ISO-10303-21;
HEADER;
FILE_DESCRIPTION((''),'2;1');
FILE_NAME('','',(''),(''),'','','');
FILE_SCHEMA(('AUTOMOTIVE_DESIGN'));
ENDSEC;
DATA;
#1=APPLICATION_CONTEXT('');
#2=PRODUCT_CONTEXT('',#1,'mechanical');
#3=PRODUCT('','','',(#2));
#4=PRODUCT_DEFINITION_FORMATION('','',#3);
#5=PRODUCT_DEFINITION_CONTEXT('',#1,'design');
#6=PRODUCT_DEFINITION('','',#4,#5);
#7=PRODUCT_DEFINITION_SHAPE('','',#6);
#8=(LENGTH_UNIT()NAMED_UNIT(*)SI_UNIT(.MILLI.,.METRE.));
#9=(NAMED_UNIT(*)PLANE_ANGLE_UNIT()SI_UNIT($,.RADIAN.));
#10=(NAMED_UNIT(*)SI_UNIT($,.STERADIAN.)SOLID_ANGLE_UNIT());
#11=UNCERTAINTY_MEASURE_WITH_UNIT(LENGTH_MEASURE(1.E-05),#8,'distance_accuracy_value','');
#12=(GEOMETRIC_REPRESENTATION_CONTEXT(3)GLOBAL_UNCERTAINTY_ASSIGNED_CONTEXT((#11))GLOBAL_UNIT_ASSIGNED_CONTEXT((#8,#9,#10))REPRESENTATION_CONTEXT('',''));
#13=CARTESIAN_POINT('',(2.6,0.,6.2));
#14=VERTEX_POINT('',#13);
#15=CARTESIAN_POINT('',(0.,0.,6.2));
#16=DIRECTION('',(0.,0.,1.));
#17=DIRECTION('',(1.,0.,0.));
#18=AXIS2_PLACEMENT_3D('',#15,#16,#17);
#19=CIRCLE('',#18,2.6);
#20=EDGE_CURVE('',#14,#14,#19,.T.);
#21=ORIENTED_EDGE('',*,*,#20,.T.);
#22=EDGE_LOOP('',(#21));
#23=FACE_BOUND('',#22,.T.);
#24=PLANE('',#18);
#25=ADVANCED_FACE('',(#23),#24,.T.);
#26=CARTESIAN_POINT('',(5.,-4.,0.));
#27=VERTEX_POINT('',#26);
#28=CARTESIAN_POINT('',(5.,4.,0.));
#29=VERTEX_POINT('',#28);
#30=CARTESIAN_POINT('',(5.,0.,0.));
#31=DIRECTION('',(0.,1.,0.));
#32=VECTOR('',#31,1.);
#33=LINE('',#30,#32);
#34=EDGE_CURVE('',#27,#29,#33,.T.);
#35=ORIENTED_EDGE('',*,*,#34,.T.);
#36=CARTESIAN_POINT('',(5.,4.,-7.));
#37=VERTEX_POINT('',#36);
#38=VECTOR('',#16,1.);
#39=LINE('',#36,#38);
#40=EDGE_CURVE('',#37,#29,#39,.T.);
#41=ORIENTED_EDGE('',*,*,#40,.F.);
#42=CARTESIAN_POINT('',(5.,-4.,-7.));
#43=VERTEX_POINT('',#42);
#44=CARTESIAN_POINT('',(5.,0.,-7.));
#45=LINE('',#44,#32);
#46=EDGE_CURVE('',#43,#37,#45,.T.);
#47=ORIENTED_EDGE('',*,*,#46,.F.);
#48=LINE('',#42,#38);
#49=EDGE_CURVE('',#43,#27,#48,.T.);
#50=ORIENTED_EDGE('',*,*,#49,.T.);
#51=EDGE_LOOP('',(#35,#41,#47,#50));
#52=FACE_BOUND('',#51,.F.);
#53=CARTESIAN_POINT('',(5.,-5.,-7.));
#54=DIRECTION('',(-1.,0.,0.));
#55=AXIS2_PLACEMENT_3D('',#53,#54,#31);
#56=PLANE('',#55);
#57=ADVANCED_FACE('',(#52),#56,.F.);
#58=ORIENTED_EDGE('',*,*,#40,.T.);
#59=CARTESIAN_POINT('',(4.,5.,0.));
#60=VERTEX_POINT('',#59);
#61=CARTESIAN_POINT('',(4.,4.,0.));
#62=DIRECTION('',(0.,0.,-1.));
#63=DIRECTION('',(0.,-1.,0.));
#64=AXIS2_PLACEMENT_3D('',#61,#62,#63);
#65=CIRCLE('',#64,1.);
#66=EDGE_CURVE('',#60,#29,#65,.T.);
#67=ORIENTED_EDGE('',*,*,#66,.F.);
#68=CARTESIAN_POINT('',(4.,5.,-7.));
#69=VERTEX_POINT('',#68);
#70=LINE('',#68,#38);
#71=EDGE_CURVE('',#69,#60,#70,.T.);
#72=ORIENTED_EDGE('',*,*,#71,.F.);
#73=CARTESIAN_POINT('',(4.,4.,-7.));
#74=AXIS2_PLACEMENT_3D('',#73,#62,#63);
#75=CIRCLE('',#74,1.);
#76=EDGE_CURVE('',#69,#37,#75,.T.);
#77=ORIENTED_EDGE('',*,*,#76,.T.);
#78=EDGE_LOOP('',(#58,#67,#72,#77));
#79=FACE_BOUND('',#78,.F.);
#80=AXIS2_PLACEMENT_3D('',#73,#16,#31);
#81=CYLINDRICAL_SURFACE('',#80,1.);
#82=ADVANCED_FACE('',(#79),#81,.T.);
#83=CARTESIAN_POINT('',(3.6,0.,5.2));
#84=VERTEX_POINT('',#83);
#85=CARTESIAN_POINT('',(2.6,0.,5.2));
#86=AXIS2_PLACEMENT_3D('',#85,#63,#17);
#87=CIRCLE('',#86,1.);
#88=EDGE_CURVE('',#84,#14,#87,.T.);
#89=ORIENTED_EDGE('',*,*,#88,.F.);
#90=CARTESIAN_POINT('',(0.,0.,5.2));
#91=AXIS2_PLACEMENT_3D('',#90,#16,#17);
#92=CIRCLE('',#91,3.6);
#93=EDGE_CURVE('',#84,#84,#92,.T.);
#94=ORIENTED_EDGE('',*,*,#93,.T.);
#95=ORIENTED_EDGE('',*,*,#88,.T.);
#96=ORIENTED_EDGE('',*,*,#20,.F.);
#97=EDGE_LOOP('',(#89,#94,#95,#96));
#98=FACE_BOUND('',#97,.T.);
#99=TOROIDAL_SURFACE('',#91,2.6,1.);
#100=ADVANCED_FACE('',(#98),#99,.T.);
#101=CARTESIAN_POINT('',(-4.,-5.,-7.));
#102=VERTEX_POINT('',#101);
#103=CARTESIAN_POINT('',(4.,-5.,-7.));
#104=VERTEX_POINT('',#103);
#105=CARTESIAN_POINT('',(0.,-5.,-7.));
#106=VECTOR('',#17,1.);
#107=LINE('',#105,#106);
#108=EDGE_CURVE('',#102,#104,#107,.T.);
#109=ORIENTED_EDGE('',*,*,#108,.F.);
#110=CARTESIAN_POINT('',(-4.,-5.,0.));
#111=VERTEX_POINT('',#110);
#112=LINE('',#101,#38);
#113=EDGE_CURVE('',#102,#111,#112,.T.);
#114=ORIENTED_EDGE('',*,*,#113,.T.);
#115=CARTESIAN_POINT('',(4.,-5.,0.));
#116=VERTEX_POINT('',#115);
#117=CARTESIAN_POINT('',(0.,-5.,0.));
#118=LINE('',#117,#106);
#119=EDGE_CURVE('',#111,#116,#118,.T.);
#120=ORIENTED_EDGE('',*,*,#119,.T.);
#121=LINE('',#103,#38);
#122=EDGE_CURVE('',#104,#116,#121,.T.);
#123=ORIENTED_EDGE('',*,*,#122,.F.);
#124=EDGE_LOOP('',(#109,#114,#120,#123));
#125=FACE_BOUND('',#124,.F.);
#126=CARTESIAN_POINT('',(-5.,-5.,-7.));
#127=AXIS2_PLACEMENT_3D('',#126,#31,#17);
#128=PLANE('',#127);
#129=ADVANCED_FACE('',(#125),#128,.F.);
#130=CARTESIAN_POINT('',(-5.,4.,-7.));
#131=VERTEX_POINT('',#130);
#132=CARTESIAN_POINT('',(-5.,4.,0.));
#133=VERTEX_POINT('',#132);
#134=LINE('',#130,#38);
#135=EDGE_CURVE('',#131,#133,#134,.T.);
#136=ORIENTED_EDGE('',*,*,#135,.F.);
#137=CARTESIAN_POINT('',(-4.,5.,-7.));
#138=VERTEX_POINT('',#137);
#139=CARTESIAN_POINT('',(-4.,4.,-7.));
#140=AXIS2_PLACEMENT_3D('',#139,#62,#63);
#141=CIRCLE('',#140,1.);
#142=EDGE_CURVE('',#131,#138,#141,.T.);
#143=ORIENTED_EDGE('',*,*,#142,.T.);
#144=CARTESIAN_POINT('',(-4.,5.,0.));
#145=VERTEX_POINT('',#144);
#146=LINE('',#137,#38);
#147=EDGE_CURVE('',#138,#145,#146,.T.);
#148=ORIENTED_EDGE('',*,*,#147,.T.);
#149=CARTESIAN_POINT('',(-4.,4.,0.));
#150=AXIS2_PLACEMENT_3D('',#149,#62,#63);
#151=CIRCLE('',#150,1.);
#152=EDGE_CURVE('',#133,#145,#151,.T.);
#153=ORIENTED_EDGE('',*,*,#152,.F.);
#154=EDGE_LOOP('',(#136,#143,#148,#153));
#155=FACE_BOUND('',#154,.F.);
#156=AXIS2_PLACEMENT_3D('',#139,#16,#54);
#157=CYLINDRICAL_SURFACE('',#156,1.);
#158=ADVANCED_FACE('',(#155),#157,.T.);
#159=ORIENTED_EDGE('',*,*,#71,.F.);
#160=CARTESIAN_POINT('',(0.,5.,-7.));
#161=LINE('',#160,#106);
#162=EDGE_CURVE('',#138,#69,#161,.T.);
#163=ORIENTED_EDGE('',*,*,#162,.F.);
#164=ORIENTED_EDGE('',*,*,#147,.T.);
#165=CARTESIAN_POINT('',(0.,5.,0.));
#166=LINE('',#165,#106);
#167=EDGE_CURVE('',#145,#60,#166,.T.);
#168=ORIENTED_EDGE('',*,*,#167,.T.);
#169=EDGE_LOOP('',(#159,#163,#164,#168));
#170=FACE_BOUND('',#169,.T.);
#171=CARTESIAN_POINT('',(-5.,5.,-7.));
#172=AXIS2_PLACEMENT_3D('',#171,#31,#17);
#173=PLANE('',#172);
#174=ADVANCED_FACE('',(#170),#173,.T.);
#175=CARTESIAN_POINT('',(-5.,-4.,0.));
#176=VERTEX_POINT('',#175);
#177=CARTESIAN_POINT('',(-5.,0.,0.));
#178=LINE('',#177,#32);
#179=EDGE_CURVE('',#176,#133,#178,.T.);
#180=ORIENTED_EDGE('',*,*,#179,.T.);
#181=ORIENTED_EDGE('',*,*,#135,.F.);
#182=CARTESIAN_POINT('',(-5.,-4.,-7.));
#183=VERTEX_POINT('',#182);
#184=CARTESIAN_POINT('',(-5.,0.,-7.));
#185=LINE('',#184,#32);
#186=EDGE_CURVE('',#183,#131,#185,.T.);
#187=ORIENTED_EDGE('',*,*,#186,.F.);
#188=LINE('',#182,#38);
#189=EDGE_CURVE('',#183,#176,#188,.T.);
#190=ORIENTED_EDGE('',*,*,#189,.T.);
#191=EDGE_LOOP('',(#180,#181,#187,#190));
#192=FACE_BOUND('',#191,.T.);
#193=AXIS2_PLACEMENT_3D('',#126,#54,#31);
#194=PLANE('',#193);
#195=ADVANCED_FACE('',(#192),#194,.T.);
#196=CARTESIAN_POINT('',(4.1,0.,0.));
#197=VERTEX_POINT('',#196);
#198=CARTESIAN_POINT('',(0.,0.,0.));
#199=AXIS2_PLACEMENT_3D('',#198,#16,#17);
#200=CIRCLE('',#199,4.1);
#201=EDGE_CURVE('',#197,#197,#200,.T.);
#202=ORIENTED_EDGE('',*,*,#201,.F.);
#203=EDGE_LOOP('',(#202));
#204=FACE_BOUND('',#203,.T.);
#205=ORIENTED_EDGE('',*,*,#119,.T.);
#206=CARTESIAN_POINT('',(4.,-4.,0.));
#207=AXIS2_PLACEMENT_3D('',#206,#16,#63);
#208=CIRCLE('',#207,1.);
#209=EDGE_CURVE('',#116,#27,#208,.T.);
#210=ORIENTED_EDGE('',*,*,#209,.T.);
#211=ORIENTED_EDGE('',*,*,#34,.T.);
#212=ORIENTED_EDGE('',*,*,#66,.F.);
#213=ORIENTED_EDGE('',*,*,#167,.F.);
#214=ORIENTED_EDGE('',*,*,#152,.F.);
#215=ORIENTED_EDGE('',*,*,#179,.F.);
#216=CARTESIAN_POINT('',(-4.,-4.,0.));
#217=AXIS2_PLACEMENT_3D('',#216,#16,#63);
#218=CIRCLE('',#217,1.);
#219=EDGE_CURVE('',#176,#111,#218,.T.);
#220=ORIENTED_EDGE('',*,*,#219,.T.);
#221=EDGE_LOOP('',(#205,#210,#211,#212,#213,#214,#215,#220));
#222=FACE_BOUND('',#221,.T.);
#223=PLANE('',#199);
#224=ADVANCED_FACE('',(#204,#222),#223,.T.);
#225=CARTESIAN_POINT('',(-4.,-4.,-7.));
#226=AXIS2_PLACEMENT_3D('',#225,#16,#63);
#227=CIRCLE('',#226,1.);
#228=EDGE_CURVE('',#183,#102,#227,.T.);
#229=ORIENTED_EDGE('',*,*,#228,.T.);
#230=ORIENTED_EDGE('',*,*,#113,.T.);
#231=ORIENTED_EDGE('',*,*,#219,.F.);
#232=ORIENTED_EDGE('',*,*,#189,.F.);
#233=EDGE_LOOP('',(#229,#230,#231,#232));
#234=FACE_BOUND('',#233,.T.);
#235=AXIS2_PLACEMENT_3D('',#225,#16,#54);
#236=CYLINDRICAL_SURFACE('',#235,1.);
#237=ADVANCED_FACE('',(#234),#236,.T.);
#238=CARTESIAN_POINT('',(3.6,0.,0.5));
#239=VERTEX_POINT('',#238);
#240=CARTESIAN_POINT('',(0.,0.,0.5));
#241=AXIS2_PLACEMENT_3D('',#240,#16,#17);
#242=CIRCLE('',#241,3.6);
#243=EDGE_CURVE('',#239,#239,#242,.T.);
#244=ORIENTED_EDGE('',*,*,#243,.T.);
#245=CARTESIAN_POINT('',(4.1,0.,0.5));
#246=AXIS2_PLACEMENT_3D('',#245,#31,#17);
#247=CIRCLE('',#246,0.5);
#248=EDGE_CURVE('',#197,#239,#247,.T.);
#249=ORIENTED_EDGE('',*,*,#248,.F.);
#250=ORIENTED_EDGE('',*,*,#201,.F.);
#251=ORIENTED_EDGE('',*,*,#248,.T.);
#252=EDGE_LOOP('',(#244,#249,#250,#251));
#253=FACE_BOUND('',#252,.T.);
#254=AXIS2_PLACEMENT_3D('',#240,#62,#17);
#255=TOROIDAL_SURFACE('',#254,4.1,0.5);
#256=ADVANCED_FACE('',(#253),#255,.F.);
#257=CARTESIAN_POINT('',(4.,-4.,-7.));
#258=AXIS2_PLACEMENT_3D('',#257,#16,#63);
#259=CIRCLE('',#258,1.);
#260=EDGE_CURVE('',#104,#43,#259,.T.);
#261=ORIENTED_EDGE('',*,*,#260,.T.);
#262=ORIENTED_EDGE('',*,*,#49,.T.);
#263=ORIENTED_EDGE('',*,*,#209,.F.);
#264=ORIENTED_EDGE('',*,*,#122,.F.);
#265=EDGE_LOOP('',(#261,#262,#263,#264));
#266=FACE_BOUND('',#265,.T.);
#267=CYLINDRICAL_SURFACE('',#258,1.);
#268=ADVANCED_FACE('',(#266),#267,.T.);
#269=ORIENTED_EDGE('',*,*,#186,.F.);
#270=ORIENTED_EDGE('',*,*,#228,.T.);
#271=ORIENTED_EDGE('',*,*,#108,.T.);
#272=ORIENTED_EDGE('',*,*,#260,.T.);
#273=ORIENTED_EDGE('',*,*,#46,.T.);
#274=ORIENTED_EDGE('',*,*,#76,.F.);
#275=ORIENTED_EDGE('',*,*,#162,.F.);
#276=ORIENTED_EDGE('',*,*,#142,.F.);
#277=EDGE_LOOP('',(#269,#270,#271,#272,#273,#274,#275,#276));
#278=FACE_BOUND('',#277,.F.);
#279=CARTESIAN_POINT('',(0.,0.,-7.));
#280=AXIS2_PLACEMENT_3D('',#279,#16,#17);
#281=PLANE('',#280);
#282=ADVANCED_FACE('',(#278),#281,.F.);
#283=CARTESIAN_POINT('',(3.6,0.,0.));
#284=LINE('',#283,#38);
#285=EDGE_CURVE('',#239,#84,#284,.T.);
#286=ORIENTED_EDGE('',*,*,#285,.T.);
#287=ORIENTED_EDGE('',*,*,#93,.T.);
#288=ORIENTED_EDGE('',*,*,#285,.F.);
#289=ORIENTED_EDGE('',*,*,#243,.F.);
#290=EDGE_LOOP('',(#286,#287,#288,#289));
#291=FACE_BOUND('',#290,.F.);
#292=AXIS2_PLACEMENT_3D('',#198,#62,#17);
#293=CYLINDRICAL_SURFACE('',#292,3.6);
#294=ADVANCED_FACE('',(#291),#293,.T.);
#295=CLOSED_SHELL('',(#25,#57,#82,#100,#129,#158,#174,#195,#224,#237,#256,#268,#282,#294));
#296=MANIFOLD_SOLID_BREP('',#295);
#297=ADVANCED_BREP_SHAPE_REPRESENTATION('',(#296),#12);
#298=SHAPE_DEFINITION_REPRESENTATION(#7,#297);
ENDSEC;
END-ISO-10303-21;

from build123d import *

# Parameters (mm, degrees)
CYLINDER_R     = 3.6
CYLINDER_DEPTH = 6.2
BOX_W          = 10
BOX_H          = 10
BOX_DEPTH      = 7
FILLET_R       = 1
FILLET001_R    = 0.5
FILLET002_R    = 1


with BuildPart() as cylinder:
    # Cylinder → Cylinder (new body)
    with BuildSketch(Plane.XY):
        Circle(CYLINDER_R)
    extrude(amount=CYLINDER_DEPTH)


with BuildPart() as fillet002:
    # Box → Box (new body)
    with BuildSketch(Plane(origin=(-5, -5, -7), x_dir=(1, 0, 0), z_dir=(0, 0, 1))):
        with Locations((5, 5)):
            Rectangle(BOX_W, BOX_H)
    extrude(amount=BOX_DEPTH)

    # Fusion: union Cylinder
    add(cylinder.part)

    # Fillet
    fillet_edges = [fillet002.edges().sort_by_distance(p)[0] for p in [
        (-5, -5, -3.5),
        (-5, 5, -3.5),
        (5, -5, -3.5),
        (5, 5, -3.5),
    ]]
    fillet(fillet_edges, radius=FILLET_R)

    # Fillet001
    fillet001_edges = [fillet002.edges().sort_by_distance(p)[0] for p in [
        (-3.6, 0, 0),
    ]]
    fillet(fillet001_edges, radius=FILLET001_R)

    # Fillet002
    fillet002_edges = [fillet002.edges().sort_by_distance(p)[0] for p in [
        (-3.6, 0, 6.2),
    ]]
    fillet(fillet002_edges, radius=FILLET002_R)


solid = fillet002.part
